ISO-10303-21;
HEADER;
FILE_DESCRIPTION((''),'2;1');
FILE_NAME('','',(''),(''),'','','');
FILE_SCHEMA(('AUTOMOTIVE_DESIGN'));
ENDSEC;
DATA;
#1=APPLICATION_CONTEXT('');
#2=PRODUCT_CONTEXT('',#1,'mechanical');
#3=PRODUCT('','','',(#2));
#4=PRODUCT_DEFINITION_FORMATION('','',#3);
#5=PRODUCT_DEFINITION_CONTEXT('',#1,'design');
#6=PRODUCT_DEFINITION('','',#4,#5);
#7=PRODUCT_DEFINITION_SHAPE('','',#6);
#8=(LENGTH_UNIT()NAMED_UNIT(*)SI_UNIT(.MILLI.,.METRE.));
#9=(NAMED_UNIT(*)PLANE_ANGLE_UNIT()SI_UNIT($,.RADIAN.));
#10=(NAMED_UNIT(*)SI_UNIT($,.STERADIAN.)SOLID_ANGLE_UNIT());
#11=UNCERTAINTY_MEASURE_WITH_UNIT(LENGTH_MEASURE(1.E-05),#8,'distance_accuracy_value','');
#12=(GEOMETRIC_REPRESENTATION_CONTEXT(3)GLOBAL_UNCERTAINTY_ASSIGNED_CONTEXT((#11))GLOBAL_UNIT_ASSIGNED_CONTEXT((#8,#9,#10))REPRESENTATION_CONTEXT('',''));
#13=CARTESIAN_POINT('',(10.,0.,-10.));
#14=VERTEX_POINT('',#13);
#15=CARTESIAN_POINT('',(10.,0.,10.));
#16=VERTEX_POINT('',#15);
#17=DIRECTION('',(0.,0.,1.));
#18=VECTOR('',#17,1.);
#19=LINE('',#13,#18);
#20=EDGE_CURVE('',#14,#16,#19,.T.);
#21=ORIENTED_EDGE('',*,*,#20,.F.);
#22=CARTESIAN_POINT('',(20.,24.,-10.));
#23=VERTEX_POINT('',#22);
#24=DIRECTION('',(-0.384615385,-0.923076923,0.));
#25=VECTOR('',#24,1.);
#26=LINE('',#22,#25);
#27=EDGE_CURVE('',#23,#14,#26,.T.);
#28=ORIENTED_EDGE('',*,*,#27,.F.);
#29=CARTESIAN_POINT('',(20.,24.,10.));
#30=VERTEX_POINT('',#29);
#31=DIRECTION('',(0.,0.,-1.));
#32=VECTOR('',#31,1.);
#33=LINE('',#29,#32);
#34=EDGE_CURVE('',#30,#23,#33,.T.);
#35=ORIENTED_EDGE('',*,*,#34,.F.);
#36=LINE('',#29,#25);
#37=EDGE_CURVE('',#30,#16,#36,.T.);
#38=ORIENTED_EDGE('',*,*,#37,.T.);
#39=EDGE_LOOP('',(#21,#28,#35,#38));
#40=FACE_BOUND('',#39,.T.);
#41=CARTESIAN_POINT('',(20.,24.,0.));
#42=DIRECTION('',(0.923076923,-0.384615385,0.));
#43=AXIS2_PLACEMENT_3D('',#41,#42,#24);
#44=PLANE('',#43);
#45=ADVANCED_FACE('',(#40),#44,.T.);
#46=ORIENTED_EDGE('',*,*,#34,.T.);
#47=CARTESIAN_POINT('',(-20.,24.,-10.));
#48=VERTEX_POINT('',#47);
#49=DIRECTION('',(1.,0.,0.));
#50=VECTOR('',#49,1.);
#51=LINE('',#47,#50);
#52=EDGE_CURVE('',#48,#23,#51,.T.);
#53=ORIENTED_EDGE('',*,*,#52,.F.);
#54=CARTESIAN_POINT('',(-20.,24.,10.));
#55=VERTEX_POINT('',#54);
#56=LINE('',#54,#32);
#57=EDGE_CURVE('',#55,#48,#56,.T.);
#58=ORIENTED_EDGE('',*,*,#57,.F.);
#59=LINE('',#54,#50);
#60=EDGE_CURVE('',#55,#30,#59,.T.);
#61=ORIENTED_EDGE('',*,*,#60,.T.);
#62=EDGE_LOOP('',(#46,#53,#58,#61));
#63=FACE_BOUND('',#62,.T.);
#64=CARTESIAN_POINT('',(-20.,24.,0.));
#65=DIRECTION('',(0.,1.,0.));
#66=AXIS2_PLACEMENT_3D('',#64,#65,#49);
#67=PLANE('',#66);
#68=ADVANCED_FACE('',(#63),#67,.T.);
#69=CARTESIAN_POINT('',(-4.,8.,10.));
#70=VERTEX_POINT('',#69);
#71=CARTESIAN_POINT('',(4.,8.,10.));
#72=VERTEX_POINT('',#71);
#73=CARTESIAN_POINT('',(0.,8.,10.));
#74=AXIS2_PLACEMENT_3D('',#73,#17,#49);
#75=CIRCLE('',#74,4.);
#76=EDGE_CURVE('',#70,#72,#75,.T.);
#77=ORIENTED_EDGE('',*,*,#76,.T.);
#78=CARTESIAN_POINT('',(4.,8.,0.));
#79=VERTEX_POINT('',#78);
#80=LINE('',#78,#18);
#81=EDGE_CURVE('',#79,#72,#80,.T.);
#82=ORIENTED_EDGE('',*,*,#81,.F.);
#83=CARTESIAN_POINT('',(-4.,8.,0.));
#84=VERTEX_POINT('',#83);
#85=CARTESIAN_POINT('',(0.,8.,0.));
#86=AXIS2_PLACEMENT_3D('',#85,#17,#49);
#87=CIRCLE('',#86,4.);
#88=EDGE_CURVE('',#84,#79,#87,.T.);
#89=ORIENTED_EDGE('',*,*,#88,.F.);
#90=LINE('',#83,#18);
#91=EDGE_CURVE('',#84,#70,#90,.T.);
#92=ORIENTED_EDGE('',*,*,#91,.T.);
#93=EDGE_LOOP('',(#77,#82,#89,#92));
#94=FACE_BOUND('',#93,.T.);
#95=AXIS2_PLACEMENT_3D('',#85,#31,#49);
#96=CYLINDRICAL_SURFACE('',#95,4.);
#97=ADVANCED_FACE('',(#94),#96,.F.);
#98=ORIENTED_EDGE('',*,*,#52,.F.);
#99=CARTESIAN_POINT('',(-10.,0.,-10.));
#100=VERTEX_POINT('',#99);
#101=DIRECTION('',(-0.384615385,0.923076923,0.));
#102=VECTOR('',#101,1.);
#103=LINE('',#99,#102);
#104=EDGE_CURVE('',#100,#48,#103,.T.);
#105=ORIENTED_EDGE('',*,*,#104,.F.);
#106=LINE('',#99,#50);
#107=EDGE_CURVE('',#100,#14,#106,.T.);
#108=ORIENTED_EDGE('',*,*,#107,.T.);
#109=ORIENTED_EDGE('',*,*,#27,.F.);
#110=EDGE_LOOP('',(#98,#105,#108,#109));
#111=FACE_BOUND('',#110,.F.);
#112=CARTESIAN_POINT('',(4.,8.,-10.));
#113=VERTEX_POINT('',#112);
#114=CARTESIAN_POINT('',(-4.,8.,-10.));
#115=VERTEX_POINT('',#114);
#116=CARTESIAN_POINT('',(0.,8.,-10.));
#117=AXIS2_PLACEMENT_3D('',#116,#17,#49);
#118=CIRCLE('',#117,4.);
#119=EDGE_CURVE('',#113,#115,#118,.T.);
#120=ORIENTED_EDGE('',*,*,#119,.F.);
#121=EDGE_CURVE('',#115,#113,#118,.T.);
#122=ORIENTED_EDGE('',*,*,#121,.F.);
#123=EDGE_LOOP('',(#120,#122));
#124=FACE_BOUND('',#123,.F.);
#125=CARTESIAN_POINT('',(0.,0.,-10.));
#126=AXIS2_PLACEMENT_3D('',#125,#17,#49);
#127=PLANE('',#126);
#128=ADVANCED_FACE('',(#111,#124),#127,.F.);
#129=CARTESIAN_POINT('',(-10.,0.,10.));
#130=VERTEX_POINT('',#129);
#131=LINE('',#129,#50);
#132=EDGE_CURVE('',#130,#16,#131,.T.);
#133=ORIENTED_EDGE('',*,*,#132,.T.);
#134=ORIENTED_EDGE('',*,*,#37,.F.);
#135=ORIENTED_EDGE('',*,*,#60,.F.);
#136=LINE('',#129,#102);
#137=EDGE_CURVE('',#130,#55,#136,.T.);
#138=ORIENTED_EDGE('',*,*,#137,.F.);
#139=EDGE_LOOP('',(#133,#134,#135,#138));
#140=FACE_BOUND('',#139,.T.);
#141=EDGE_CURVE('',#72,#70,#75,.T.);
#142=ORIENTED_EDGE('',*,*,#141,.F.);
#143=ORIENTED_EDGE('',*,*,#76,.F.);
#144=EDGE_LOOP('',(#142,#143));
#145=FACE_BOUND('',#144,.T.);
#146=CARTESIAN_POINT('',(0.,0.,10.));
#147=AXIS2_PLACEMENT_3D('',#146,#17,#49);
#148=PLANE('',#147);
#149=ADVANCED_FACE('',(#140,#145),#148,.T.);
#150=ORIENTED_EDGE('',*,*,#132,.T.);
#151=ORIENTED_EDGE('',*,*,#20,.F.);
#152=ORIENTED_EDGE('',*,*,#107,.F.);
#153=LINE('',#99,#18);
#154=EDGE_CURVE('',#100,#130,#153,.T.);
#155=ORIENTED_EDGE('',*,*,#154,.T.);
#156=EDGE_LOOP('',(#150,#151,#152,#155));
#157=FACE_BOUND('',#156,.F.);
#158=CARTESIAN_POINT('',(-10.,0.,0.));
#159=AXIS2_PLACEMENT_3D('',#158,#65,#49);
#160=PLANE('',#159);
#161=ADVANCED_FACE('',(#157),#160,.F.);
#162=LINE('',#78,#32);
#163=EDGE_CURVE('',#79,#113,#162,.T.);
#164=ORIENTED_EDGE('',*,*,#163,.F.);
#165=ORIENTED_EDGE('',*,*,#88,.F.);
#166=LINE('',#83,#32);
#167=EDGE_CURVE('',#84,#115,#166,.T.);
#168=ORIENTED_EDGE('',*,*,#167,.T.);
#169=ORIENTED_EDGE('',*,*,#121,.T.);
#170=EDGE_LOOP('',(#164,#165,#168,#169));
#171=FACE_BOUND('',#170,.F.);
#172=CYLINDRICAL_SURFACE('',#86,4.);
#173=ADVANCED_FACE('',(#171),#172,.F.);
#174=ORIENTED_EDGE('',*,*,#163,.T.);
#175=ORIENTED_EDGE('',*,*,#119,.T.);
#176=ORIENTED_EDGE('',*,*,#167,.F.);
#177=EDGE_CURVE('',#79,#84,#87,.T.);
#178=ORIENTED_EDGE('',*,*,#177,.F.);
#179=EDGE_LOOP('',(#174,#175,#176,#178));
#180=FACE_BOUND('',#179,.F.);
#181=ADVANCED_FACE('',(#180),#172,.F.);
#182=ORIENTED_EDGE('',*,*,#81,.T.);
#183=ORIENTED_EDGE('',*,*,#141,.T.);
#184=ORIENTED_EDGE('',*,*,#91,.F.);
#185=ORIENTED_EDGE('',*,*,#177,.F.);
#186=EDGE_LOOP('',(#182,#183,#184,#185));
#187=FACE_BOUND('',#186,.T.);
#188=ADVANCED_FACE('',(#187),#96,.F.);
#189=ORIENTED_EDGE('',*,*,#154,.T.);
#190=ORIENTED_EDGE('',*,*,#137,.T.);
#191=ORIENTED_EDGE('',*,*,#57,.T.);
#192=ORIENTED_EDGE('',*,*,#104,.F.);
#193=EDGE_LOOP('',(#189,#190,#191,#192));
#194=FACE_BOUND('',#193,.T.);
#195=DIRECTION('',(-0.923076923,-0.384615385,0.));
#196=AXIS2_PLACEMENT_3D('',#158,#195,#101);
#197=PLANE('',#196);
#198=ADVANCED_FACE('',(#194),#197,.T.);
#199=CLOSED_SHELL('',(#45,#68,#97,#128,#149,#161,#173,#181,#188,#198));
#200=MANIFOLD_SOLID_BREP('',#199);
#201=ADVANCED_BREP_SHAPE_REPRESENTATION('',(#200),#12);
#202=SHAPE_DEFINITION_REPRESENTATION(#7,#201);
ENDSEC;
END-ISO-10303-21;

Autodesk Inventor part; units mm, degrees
ref_plane "YZ Plane" through (0, 0, 0) normal (1, 0, 0) x (0, 1, 0)
ref_plane "XZ Plane" through (0, 0, 0) normal (0, 1, 0) x (-1, 0, 0)
ref_plane "XY Plane" through (0, 0, 0) normal (0, 0, 1) x (1, 0, 0)
sketch "Эскиз1" plane through (0, 0, 0) normal (0, 0, 1) x (1, 0, 0)
  line L0 (-10, 0) -> (10, 0)
  line L1 (-20, 24) -> (20, 24)
  line L2 (20, 24) -> (10, 0)
  line L3 (-10, 0) -> (-20, 24)
  circle A0 centre (0, 8) radius 4
  line L4 (-20, 24) -> (-20, 30)
  line L5 (-20, 30) -> (20, 30)
  line L6 (20, 30) -> (20, 24)
  line L7 (-5.2413, 8) -> (5.4825, 8)
  point P0 (0, 0)
  dimension "d0" = 20
  dimension "d1" = 40
  dimension "d3" = 8
  dimension "d5" = 24
  dimension "d6" = 6
  dimension "d7" = 16
extrude "Выдавливание1" add sketch "Эскиз1" along normal mid plane 20 contours L3 L1 L2 L0
properties part number "2"
